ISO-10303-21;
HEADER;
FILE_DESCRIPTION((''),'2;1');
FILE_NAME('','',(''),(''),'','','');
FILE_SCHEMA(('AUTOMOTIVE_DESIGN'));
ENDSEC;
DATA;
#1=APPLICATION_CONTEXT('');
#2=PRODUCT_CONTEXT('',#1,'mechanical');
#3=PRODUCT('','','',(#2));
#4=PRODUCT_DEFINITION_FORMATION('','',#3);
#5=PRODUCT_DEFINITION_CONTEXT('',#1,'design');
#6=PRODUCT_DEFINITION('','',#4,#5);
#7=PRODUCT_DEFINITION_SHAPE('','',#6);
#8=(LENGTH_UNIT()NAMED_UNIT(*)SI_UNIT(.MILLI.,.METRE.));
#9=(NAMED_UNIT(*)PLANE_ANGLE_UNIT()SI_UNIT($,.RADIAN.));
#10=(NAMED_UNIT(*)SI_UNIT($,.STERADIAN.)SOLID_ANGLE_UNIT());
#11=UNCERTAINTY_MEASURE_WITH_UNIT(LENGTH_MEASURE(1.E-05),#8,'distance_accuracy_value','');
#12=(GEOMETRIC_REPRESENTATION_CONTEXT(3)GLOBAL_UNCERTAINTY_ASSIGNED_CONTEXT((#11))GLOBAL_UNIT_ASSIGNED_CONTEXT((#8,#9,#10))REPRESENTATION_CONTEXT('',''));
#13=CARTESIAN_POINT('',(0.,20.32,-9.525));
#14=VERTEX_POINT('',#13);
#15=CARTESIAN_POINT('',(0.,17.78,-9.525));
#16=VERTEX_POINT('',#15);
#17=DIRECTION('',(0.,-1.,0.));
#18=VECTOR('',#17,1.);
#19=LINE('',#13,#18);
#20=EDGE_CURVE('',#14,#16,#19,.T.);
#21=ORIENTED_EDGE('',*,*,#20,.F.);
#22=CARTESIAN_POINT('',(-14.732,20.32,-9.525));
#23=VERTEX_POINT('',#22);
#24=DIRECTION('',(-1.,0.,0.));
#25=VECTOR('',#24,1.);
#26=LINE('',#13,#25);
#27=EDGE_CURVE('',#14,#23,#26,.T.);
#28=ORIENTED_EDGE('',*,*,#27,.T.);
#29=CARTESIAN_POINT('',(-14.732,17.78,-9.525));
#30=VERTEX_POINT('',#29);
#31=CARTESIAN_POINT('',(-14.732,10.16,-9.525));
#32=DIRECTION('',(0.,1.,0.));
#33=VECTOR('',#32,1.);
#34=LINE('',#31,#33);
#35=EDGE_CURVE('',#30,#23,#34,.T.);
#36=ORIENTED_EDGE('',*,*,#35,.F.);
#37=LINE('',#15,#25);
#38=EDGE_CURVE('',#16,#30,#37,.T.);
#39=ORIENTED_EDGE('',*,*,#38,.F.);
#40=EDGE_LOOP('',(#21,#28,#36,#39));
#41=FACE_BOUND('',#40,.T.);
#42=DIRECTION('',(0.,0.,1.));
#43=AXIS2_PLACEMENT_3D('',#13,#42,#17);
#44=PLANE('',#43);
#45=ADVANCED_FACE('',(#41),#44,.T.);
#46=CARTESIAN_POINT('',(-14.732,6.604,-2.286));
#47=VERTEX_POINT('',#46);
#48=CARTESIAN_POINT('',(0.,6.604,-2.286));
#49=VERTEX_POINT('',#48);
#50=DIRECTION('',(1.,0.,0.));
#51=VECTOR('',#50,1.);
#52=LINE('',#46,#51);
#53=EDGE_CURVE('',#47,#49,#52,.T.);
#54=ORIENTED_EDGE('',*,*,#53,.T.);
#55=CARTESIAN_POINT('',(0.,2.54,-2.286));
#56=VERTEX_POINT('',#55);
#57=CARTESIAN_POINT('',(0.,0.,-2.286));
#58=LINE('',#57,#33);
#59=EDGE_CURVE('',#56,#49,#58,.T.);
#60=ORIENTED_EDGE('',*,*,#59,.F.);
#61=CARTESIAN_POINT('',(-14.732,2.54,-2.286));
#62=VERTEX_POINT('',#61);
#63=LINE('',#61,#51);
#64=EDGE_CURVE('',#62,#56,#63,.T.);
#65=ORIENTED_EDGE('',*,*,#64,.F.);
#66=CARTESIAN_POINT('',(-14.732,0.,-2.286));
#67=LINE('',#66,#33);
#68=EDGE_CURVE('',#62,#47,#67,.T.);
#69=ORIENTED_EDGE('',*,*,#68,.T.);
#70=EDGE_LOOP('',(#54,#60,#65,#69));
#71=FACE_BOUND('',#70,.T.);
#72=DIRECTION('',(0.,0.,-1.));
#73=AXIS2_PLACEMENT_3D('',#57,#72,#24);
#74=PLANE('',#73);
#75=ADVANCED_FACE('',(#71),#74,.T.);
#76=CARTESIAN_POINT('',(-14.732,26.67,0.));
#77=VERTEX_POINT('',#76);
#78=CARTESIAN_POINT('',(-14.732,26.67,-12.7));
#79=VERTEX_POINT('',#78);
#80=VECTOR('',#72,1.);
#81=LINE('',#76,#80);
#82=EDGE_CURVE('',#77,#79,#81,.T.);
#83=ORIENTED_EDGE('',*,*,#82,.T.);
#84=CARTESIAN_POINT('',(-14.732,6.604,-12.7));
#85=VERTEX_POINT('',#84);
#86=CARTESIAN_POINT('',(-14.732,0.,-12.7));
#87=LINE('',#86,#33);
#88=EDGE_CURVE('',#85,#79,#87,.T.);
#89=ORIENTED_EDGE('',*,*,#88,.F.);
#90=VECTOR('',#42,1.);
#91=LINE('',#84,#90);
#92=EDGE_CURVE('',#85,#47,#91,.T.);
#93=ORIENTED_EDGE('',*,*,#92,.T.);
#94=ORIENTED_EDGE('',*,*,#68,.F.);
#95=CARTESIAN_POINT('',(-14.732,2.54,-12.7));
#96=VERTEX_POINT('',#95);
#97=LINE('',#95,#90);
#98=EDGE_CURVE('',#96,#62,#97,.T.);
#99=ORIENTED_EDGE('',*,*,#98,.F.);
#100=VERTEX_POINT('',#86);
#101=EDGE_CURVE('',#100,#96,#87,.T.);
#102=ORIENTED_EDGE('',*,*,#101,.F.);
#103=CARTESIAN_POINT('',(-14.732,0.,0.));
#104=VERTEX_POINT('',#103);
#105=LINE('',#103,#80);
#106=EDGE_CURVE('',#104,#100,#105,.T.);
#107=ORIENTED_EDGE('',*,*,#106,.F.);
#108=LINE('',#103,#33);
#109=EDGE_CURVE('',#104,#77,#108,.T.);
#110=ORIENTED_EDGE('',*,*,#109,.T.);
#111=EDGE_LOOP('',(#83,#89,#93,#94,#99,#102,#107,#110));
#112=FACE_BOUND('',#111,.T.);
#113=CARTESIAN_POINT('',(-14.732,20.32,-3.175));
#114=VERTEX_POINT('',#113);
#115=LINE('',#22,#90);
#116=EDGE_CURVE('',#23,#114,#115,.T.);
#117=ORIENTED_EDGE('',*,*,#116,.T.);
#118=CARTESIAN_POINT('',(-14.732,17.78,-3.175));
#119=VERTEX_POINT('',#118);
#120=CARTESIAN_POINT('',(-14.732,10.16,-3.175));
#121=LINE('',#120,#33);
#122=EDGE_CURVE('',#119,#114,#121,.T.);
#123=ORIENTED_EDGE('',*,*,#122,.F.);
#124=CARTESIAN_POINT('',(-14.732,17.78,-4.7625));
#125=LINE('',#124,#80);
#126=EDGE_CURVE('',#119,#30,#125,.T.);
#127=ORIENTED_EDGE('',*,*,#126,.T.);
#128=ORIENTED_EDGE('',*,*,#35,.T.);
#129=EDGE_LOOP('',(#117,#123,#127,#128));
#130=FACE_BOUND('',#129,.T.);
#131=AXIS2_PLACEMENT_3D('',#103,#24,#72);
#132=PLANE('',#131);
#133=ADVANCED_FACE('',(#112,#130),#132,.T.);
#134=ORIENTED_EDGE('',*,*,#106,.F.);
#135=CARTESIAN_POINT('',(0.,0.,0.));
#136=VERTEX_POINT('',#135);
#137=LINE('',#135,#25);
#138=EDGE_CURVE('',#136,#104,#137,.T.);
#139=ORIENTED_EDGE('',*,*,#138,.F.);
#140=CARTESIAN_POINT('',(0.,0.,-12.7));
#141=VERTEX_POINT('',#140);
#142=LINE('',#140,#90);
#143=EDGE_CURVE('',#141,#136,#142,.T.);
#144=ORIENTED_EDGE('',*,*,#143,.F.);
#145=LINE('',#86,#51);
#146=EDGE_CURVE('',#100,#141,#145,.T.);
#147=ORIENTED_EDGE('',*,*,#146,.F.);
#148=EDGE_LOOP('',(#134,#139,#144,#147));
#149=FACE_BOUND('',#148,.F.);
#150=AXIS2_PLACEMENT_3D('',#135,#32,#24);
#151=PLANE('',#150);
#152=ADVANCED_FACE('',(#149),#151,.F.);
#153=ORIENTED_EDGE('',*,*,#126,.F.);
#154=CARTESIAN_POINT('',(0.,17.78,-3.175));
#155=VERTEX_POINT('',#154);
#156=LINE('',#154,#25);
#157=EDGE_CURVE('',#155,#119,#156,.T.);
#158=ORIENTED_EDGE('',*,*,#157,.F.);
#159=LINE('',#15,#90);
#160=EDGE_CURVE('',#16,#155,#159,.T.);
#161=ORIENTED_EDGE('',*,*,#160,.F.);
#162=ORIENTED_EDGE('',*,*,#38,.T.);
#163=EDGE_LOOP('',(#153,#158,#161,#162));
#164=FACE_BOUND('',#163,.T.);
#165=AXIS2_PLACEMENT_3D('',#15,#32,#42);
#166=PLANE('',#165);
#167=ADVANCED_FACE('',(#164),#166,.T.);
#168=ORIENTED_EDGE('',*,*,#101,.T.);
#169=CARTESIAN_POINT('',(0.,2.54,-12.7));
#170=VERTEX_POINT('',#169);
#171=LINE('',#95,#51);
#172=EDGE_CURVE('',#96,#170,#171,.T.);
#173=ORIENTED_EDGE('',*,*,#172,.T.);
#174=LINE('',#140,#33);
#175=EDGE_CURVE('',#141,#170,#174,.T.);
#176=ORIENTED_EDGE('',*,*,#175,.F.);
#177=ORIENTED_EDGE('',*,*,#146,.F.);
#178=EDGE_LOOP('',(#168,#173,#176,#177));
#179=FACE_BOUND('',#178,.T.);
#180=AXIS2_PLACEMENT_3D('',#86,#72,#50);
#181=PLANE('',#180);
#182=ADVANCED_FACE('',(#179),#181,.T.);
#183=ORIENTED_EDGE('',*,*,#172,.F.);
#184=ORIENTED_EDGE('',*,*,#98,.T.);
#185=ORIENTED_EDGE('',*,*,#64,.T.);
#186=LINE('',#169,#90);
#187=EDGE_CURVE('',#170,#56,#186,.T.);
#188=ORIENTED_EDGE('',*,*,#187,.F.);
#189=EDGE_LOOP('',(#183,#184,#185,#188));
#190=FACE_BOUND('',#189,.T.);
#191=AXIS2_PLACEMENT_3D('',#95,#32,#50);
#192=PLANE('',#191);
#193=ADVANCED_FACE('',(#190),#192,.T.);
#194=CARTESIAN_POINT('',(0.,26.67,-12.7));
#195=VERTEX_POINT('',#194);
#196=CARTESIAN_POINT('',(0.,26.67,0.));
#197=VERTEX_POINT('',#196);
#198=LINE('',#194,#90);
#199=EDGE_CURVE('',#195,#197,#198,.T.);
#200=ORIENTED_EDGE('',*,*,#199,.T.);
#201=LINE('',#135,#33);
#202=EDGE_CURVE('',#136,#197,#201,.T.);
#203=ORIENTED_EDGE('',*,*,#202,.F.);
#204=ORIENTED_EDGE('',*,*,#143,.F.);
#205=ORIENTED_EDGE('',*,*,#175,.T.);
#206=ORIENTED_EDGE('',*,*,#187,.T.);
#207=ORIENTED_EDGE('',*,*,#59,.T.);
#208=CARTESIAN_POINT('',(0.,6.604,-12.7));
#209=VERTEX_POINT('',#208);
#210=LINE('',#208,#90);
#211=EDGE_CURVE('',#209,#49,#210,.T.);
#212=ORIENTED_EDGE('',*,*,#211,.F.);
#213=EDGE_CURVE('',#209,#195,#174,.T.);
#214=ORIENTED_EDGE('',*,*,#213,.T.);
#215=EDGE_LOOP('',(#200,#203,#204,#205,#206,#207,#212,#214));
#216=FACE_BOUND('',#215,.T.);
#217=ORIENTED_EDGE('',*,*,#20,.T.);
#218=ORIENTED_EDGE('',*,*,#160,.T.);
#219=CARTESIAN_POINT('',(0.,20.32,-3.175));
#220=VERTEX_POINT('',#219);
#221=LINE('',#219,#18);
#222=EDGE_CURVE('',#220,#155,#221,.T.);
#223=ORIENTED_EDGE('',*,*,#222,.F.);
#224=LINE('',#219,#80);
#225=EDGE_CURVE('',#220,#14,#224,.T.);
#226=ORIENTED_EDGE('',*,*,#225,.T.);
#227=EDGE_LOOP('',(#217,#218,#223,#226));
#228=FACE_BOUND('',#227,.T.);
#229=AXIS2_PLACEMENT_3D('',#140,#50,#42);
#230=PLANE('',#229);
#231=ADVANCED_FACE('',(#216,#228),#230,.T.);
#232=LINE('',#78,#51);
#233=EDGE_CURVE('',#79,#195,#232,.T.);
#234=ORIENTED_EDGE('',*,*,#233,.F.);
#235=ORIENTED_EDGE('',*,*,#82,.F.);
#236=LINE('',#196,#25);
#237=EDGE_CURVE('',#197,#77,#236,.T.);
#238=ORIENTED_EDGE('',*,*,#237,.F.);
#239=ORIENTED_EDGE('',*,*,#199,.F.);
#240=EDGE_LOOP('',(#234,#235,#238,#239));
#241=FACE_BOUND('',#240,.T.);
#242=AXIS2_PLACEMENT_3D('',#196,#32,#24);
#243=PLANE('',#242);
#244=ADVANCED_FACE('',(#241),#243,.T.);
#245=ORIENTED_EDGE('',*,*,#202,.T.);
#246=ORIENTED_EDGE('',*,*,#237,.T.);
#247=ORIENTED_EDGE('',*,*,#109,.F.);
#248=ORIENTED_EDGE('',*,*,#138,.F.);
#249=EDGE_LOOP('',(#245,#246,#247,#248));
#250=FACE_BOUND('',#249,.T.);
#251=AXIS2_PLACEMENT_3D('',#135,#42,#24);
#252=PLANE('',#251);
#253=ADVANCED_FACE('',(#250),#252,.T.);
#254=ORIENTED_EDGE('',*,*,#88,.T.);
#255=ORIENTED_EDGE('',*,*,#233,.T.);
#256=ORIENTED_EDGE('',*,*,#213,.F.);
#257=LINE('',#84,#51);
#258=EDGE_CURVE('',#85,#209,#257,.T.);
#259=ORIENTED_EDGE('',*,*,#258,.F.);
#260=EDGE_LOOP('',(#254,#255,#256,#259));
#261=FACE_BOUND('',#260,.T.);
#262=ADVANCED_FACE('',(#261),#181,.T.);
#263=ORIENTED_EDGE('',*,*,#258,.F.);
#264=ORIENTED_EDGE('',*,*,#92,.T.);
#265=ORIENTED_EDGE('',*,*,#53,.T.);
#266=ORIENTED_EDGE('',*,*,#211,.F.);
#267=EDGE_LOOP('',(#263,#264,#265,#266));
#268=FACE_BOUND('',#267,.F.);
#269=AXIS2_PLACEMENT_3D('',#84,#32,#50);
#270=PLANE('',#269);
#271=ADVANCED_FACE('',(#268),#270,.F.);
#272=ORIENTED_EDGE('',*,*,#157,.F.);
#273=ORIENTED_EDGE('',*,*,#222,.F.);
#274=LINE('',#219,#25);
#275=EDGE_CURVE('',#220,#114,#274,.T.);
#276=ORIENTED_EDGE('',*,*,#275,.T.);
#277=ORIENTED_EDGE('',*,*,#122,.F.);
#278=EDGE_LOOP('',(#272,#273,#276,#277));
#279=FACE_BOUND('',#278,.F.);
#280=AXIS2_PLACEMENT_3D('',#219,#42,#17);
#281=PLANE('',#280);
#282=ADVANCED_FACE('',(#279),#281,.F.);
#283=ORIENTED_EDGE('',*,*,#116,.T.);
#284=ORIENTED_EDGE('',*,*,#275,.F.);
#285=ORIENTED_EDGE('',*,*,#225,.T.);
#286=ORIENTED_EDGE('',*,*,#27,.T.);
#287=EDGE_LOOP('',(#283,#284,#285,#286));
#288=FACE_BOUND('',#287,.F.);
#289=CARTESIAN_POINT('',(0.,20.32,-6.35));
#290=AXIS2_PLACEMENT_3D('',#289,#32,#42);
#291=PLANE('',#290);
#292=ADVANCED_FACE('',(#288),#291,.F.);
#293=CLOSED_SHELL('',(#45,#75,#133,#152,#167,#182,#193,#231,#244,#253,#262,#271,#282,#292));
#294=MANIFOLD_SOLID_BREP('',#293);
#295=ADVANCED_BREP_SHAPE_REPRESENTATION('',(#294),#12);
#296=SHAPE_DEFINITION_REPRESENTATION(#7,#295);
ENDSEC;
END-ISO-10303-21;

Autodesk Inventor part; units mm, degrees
ref_plane "YZ Plane" through (0, 0, 0) normal (1, 0, 0) x (0, 1, 0)
ref_plane "XZ Plane" through (0, 0, 0) normal (0, 1, 0) x (-1, 0, 0)
ref_plane "XY Plane" through (0, 0, 0) normal (0, 0, 1) x (1, 0, 0)
sketch "Sketch1" plane through (0, 0, 0) normal (0, 1, 0) x (-1, 0, 0)
  line L0 (0, 0) -> (14.732, 0)
  line L1 (14.732, 0) -> (14.732, -12.7)
  line L2 (14.732, -12.7) -> (0, -12.7)
  line L3 (0, -12.7) -> (0, 0)
  dimension "d0" = 12.7
  dimension "d1" = 14.732
extrude "Extrusion1" add sketch "Sketch1" along normal blind 26.67
sketch "Sketch2" plane through (0, 0, -12.7) normal (0, 0, -1) x (-1, 0, 0)
  line L0 (0, 0) -> (14.732, 0) projected
  line L1 (14.732, 0) -> (14.732, 2.54)
  line L2 (14.732, 0) -> (14.732, 26.67) projected
  line L3 (14.732, 2.54) -> (14.732, 6.604)
  line L4 (14.732, 6.604) -> (0, 6.604)
  line L5 (0, 0) -> (0, 26.67) projected
  line L6 (14.732, 2.54) -> (0, 2.54)
  line L7 (0, 2.54) -> (0, 6.604)
  line L8 (0, 6.604) -> (14.732, 6.604)
  line L9 (14.732, 6.604) -> (14.732, 2.54)
  dimension "d4" = 2.54
  dimension "d5" = 4.064
extrude "Extrusion2" cut sketch "Sketch2" against normal blind 10.414 contours L5 L4 L2 L6
sketch "Sketch3" plane through (0, 0, 0) normal (1, 0, 0) x (0, 0, -1)
  line L0 (0, 26.67) -> (12.7, 26.67) projected
  line L1 (0, 26.67) -> (6.35, 26.67)
  line L2 (6.35, 26.67) -> (6.35, 20.32)
  line L3 (6.35, 20.32) -> (3.175, 20.32)
  line L4 (3.175, 20.32) -> (3.175, 17.78)
  line L5 (3.175, 20.32) -> (9.525, 20.32)
  line L6 (9.525, 20.32) -> (9.525, 17.78)
  line L7 (9.525, 17.78) -> (3.175, 17.78)
  line L8 (3.175, 17.78) -> (3.175, 20.32)
  point P0 (0, 0)
  dimension "d8" = 6.35
  dimension "d9" = 6.35
  dimension "d10" = 3.175
  dimension "d11" = 2.54
  dimension "d12" = 6.35
extrude "Extrusion3" cut sketch "Sketch3" against normal blind 15.1765
properties part number "drone_battery_holder"
